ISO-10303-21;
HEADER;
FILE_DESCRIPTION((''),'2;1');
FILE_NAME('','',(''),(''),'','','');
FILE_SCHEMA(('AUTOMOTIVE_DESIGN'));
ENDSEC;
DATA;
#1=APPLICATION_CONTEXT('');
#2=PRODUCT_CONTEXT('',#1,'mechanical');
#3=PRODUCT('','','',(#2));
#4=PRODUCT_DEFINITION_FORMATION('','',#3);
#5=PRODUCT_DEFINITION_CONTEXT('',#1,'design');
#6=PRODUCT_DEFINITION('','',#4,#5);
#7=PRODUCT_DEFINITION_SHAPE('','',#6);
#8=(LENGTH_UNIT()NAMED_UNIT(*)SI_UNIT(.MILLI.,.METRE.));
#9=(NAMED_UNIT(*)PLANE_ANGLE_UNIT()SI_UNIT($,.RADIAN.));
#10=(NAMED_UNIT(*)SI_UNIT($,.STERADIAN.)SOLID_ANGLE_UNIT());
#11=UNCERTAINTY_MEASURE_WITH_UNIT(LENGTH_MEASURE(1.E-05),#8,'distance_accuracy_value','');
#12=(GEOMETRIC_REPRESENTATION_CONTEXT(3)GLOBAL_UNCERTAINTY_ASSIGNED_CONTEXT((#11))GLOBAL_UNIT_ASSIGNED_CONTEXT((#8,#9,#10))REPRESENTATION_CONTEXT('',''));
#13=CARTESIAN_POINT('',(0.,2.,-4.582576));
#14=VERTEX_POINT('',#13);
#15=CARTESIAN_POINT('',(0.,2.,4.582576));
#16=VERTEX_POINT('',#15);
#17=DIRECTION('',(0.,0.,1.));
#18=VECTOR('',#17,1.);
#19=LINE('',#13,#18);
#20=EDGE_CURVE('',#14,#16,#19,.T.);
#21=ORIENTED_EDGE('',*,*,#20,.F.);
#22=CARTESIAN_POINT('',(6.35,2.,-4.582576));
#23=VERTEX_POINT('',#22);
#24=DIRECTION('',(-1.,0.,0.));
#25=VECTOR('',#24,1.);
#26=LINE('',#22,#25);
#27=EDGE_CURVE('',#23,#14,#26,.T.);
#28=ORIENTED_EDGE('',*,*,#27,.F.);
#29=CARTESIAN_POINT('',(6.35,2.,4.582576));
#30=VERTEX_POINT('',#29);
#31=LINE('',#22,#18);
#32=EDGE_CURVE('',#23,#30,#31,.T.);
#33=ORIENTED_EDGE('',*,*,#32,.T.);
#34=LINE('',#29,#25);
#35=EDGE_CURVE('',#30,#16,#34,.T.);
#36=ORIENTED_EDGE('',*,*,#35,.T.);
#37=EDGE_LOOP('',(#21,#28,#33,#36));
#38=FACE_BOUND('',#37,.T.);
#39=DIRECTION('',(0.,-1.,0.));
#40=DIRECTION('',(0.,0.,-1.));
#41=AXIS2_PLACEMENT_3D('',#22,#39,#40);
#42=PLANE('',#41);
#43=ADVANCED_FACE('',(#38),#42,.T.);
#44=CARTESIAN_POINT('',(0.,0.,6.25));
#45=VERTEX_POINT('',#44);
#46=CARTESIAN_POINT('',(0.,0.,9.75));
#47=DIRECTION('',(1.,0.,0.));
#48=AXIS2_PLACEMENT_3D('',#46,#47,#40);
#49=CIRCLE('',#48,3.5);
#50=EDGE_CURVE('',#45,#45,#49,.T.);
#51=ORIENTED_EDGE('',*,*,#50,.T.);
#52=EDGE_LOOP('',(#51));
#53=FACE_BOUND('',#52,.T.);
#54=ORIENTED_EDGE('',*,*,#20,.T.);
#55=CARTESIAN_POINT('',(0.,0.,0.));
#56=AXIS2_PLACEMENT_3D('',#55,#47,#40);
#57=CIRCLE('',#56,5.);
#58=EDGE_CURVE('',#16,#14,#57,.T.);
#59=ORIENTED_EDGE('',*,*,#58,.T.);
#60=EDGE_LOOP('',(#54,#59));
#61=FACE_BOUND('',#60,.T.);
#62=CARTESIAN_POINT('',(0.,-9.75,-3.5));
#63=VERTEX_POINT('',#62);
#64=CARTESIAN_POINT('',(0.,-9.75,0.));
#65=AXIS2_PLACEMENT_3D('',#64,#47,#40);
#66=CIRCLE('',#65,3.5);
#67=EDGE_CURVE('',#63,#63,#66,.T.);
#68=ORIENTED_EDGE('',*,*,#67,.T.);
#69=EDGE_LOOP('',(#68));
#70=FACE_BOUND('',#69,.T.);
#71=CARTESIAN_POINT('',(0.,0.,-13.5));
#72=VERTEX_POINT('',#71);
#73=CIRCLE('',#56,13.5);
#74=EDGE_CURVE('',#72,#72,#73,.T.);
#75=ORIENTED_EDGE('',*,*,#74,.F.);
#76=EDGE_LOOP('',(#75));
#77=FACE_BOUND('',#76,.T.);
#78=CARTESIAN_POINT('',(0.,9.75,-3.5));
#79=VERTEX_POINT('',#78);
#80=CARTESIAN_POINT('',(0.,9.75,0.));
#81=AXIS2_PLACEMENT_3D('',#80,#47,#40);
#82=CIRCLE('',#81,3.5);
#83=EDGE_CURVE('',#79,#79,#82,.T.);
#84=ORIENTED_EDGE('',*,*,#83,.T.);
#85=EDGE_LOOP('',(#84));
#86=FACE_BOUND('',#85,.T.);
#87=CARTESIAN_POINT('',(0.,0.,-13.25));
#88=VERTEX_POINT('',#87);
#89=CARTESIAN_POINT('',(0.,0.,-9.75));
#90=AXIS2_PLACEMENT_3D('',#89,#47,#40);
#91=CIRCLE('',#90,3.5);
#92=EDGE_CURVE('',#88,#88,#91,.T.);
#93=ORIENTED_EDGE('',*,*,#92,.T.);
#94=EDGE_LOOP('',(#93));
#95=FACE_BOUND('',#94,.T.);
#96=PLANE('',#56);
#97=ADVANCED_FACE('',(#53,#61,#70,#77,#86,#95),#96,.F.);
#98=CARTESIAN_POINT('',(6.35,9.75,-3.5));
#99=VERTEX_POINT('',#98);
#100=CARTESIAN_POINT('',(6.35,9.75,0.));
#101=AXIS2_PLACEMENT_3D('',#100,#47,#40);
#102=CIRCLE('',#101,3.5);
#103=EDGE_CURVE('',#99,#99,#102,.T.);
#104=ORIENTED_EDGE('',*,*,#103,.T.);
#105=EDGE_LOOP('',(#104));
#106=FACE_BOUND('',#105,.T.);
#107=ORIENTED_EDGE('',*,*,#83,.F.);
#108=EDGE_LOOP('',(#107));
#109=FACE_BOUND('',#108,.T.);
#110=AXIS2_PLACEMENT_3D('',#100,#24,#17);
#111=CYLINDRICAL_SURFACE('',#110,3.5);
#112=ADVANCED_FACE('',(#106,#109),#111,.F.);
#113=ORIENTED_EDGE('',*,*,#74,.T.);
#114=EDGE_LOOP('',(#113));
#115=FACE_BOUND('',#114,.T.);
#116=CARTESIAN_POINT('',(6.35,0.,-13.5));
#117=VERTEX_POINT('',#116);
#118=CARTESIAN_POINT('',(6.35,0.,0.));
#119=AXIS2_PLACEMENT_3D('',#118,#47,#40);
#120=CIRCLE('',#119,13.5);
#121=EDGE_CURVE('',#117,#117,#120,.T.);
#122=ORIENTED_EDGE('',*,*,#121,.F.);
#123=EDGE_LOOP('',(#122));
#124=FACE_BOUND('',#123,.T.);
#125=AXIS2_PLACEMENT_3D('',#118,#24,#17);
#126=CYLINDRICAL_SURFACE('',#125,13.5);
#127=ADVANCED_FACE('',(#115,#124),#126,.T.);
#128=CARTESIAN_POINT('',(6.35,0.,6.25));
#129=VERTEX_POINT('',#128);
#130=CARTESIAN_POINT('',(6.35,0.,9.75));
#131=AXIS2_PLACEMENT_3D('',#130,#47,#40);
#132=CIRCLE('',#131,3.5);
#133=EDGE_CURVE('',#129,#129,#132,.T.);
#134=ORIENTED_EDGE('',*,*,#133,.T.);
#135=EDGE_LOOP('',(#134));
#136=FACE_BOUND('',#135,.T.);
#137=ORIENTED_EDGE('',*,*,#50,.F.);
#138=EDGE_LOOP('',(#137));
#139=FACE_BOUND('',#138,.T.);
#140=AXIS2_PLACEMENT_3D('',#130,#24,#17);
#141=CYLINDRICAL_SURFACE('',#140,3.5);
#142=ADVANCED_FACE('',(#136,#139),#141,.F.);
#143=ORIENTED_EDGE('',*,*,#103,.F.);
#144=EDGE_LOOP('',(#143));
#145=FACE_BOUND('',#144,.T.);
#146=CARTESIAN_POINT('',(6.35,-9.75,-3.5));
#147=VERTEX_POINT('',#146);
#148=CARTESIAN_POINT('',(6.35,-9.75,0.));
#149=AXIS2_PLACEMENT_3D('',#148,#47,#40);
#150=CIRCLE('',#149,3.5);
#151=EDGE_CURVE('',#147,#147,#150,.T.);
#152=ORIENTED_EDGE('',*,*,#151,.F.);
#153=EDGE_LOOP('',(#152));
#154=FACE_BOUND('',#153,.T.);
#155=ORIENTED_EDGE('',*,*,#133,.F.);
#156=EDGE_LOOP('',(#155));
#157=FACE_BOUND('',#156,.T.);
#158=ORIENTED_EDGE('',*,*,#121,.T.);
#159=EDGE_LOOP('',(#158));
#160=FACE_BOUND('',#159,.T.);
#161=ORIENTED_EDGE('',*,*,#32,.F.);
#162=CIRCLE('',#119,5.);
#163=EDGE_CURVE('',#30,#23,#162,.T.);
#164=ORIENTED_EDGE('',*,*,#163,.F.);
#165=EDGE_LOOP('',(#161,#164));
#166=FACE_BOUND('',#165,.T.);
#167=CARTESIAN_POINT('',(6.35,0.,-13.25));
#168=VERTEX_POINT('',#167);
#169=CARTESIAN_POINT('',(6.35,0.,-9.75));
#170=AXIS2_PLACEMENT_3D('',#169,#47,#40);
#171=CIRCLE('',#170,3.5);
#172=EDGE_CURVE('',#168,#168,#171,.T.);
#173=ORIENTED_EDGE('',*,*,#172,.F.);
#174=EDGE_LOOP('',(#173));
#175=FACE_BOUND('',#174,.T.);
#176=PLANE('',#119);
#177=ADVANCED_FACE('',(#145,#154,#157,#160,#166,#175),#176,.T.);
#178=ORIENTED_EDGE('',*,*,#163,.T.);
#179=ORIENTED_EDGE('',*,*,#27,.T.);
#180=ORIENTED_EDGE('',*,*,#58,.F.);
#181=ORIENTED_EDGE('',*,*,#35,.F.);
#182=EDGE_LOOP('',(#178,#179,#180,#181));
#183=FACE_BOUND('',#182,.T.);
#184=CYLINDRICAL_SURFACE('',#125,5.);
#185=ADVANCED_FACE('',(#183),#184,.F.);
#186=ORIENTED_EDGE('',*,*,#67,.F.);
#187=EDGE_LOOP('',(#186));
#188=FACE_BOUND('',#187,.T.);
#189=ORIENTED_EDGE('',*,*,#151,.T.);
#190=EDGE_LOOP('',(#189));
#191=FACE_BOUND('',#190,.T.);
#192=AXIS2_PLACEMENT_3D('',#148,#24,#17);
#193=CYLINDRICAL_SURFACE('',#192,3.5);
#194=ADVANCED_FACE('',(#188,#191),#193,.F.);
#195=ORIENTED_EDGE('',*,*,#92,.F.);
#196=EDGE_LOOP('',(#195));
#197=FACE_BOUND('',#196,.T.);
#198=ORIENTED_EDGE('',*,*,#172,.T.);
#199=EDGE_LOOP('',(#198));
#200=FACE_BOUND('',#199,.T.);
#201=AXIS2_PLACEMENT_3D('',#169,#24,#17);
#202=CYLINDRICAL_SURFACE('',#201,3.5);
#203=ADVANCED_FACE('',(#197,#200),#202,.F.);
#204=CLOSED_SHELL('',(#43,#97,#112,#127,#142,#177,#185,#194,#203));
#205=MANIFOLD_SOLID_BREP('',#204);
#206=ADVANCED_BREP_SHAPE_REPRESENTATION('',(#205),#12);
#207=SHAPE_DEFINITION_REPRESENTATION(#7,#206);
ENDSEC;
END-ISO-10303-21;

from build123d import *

# Parameters (mm, degrees)
SKETCH1_R           = 13.5
SKETCH1_R_2         = 3.5
BOSS_EXTRUDE1_DEPTH = 6.35


with BuildPart() as part:
    # Sketch1 → Boss-Extrude1 (new body)
    with BuildSketch(Plane(origin=(0, 0, 0), x_dir=(0, 0, -1), z_dir=(1, 0, 0))):
        Circle(SKETCH1_R)
        with Locations((-9.75, 0)):
            Circle(SKETCH1_R_2, mode=Mode.SUBTRACT)
        with Locations((0, 9.75)):
            Circle(SKETCH1_R_2, mode=Mode.SUBTRACT)
        with Locations((9.75, 0)):
            Circle(SKETCH1_R_2, mode=Mode.SUBTRACT)
        with Locations((0, -9.75)):
            Circle(SKETCH1_R_2, mode=Mode.SUBTRACT)
        with BuildLine():
            Line((4.582575695, 2), (-4.582575695, 2))
            ThreePointArc((-4.582575695, 2), (0, -5), (4.582575695, 2))
        make_face(mode=Mode.SUBTRACT)
    extrude(amount=BOSS_EXTRUDE1_DEPTH)


solid = part.part
